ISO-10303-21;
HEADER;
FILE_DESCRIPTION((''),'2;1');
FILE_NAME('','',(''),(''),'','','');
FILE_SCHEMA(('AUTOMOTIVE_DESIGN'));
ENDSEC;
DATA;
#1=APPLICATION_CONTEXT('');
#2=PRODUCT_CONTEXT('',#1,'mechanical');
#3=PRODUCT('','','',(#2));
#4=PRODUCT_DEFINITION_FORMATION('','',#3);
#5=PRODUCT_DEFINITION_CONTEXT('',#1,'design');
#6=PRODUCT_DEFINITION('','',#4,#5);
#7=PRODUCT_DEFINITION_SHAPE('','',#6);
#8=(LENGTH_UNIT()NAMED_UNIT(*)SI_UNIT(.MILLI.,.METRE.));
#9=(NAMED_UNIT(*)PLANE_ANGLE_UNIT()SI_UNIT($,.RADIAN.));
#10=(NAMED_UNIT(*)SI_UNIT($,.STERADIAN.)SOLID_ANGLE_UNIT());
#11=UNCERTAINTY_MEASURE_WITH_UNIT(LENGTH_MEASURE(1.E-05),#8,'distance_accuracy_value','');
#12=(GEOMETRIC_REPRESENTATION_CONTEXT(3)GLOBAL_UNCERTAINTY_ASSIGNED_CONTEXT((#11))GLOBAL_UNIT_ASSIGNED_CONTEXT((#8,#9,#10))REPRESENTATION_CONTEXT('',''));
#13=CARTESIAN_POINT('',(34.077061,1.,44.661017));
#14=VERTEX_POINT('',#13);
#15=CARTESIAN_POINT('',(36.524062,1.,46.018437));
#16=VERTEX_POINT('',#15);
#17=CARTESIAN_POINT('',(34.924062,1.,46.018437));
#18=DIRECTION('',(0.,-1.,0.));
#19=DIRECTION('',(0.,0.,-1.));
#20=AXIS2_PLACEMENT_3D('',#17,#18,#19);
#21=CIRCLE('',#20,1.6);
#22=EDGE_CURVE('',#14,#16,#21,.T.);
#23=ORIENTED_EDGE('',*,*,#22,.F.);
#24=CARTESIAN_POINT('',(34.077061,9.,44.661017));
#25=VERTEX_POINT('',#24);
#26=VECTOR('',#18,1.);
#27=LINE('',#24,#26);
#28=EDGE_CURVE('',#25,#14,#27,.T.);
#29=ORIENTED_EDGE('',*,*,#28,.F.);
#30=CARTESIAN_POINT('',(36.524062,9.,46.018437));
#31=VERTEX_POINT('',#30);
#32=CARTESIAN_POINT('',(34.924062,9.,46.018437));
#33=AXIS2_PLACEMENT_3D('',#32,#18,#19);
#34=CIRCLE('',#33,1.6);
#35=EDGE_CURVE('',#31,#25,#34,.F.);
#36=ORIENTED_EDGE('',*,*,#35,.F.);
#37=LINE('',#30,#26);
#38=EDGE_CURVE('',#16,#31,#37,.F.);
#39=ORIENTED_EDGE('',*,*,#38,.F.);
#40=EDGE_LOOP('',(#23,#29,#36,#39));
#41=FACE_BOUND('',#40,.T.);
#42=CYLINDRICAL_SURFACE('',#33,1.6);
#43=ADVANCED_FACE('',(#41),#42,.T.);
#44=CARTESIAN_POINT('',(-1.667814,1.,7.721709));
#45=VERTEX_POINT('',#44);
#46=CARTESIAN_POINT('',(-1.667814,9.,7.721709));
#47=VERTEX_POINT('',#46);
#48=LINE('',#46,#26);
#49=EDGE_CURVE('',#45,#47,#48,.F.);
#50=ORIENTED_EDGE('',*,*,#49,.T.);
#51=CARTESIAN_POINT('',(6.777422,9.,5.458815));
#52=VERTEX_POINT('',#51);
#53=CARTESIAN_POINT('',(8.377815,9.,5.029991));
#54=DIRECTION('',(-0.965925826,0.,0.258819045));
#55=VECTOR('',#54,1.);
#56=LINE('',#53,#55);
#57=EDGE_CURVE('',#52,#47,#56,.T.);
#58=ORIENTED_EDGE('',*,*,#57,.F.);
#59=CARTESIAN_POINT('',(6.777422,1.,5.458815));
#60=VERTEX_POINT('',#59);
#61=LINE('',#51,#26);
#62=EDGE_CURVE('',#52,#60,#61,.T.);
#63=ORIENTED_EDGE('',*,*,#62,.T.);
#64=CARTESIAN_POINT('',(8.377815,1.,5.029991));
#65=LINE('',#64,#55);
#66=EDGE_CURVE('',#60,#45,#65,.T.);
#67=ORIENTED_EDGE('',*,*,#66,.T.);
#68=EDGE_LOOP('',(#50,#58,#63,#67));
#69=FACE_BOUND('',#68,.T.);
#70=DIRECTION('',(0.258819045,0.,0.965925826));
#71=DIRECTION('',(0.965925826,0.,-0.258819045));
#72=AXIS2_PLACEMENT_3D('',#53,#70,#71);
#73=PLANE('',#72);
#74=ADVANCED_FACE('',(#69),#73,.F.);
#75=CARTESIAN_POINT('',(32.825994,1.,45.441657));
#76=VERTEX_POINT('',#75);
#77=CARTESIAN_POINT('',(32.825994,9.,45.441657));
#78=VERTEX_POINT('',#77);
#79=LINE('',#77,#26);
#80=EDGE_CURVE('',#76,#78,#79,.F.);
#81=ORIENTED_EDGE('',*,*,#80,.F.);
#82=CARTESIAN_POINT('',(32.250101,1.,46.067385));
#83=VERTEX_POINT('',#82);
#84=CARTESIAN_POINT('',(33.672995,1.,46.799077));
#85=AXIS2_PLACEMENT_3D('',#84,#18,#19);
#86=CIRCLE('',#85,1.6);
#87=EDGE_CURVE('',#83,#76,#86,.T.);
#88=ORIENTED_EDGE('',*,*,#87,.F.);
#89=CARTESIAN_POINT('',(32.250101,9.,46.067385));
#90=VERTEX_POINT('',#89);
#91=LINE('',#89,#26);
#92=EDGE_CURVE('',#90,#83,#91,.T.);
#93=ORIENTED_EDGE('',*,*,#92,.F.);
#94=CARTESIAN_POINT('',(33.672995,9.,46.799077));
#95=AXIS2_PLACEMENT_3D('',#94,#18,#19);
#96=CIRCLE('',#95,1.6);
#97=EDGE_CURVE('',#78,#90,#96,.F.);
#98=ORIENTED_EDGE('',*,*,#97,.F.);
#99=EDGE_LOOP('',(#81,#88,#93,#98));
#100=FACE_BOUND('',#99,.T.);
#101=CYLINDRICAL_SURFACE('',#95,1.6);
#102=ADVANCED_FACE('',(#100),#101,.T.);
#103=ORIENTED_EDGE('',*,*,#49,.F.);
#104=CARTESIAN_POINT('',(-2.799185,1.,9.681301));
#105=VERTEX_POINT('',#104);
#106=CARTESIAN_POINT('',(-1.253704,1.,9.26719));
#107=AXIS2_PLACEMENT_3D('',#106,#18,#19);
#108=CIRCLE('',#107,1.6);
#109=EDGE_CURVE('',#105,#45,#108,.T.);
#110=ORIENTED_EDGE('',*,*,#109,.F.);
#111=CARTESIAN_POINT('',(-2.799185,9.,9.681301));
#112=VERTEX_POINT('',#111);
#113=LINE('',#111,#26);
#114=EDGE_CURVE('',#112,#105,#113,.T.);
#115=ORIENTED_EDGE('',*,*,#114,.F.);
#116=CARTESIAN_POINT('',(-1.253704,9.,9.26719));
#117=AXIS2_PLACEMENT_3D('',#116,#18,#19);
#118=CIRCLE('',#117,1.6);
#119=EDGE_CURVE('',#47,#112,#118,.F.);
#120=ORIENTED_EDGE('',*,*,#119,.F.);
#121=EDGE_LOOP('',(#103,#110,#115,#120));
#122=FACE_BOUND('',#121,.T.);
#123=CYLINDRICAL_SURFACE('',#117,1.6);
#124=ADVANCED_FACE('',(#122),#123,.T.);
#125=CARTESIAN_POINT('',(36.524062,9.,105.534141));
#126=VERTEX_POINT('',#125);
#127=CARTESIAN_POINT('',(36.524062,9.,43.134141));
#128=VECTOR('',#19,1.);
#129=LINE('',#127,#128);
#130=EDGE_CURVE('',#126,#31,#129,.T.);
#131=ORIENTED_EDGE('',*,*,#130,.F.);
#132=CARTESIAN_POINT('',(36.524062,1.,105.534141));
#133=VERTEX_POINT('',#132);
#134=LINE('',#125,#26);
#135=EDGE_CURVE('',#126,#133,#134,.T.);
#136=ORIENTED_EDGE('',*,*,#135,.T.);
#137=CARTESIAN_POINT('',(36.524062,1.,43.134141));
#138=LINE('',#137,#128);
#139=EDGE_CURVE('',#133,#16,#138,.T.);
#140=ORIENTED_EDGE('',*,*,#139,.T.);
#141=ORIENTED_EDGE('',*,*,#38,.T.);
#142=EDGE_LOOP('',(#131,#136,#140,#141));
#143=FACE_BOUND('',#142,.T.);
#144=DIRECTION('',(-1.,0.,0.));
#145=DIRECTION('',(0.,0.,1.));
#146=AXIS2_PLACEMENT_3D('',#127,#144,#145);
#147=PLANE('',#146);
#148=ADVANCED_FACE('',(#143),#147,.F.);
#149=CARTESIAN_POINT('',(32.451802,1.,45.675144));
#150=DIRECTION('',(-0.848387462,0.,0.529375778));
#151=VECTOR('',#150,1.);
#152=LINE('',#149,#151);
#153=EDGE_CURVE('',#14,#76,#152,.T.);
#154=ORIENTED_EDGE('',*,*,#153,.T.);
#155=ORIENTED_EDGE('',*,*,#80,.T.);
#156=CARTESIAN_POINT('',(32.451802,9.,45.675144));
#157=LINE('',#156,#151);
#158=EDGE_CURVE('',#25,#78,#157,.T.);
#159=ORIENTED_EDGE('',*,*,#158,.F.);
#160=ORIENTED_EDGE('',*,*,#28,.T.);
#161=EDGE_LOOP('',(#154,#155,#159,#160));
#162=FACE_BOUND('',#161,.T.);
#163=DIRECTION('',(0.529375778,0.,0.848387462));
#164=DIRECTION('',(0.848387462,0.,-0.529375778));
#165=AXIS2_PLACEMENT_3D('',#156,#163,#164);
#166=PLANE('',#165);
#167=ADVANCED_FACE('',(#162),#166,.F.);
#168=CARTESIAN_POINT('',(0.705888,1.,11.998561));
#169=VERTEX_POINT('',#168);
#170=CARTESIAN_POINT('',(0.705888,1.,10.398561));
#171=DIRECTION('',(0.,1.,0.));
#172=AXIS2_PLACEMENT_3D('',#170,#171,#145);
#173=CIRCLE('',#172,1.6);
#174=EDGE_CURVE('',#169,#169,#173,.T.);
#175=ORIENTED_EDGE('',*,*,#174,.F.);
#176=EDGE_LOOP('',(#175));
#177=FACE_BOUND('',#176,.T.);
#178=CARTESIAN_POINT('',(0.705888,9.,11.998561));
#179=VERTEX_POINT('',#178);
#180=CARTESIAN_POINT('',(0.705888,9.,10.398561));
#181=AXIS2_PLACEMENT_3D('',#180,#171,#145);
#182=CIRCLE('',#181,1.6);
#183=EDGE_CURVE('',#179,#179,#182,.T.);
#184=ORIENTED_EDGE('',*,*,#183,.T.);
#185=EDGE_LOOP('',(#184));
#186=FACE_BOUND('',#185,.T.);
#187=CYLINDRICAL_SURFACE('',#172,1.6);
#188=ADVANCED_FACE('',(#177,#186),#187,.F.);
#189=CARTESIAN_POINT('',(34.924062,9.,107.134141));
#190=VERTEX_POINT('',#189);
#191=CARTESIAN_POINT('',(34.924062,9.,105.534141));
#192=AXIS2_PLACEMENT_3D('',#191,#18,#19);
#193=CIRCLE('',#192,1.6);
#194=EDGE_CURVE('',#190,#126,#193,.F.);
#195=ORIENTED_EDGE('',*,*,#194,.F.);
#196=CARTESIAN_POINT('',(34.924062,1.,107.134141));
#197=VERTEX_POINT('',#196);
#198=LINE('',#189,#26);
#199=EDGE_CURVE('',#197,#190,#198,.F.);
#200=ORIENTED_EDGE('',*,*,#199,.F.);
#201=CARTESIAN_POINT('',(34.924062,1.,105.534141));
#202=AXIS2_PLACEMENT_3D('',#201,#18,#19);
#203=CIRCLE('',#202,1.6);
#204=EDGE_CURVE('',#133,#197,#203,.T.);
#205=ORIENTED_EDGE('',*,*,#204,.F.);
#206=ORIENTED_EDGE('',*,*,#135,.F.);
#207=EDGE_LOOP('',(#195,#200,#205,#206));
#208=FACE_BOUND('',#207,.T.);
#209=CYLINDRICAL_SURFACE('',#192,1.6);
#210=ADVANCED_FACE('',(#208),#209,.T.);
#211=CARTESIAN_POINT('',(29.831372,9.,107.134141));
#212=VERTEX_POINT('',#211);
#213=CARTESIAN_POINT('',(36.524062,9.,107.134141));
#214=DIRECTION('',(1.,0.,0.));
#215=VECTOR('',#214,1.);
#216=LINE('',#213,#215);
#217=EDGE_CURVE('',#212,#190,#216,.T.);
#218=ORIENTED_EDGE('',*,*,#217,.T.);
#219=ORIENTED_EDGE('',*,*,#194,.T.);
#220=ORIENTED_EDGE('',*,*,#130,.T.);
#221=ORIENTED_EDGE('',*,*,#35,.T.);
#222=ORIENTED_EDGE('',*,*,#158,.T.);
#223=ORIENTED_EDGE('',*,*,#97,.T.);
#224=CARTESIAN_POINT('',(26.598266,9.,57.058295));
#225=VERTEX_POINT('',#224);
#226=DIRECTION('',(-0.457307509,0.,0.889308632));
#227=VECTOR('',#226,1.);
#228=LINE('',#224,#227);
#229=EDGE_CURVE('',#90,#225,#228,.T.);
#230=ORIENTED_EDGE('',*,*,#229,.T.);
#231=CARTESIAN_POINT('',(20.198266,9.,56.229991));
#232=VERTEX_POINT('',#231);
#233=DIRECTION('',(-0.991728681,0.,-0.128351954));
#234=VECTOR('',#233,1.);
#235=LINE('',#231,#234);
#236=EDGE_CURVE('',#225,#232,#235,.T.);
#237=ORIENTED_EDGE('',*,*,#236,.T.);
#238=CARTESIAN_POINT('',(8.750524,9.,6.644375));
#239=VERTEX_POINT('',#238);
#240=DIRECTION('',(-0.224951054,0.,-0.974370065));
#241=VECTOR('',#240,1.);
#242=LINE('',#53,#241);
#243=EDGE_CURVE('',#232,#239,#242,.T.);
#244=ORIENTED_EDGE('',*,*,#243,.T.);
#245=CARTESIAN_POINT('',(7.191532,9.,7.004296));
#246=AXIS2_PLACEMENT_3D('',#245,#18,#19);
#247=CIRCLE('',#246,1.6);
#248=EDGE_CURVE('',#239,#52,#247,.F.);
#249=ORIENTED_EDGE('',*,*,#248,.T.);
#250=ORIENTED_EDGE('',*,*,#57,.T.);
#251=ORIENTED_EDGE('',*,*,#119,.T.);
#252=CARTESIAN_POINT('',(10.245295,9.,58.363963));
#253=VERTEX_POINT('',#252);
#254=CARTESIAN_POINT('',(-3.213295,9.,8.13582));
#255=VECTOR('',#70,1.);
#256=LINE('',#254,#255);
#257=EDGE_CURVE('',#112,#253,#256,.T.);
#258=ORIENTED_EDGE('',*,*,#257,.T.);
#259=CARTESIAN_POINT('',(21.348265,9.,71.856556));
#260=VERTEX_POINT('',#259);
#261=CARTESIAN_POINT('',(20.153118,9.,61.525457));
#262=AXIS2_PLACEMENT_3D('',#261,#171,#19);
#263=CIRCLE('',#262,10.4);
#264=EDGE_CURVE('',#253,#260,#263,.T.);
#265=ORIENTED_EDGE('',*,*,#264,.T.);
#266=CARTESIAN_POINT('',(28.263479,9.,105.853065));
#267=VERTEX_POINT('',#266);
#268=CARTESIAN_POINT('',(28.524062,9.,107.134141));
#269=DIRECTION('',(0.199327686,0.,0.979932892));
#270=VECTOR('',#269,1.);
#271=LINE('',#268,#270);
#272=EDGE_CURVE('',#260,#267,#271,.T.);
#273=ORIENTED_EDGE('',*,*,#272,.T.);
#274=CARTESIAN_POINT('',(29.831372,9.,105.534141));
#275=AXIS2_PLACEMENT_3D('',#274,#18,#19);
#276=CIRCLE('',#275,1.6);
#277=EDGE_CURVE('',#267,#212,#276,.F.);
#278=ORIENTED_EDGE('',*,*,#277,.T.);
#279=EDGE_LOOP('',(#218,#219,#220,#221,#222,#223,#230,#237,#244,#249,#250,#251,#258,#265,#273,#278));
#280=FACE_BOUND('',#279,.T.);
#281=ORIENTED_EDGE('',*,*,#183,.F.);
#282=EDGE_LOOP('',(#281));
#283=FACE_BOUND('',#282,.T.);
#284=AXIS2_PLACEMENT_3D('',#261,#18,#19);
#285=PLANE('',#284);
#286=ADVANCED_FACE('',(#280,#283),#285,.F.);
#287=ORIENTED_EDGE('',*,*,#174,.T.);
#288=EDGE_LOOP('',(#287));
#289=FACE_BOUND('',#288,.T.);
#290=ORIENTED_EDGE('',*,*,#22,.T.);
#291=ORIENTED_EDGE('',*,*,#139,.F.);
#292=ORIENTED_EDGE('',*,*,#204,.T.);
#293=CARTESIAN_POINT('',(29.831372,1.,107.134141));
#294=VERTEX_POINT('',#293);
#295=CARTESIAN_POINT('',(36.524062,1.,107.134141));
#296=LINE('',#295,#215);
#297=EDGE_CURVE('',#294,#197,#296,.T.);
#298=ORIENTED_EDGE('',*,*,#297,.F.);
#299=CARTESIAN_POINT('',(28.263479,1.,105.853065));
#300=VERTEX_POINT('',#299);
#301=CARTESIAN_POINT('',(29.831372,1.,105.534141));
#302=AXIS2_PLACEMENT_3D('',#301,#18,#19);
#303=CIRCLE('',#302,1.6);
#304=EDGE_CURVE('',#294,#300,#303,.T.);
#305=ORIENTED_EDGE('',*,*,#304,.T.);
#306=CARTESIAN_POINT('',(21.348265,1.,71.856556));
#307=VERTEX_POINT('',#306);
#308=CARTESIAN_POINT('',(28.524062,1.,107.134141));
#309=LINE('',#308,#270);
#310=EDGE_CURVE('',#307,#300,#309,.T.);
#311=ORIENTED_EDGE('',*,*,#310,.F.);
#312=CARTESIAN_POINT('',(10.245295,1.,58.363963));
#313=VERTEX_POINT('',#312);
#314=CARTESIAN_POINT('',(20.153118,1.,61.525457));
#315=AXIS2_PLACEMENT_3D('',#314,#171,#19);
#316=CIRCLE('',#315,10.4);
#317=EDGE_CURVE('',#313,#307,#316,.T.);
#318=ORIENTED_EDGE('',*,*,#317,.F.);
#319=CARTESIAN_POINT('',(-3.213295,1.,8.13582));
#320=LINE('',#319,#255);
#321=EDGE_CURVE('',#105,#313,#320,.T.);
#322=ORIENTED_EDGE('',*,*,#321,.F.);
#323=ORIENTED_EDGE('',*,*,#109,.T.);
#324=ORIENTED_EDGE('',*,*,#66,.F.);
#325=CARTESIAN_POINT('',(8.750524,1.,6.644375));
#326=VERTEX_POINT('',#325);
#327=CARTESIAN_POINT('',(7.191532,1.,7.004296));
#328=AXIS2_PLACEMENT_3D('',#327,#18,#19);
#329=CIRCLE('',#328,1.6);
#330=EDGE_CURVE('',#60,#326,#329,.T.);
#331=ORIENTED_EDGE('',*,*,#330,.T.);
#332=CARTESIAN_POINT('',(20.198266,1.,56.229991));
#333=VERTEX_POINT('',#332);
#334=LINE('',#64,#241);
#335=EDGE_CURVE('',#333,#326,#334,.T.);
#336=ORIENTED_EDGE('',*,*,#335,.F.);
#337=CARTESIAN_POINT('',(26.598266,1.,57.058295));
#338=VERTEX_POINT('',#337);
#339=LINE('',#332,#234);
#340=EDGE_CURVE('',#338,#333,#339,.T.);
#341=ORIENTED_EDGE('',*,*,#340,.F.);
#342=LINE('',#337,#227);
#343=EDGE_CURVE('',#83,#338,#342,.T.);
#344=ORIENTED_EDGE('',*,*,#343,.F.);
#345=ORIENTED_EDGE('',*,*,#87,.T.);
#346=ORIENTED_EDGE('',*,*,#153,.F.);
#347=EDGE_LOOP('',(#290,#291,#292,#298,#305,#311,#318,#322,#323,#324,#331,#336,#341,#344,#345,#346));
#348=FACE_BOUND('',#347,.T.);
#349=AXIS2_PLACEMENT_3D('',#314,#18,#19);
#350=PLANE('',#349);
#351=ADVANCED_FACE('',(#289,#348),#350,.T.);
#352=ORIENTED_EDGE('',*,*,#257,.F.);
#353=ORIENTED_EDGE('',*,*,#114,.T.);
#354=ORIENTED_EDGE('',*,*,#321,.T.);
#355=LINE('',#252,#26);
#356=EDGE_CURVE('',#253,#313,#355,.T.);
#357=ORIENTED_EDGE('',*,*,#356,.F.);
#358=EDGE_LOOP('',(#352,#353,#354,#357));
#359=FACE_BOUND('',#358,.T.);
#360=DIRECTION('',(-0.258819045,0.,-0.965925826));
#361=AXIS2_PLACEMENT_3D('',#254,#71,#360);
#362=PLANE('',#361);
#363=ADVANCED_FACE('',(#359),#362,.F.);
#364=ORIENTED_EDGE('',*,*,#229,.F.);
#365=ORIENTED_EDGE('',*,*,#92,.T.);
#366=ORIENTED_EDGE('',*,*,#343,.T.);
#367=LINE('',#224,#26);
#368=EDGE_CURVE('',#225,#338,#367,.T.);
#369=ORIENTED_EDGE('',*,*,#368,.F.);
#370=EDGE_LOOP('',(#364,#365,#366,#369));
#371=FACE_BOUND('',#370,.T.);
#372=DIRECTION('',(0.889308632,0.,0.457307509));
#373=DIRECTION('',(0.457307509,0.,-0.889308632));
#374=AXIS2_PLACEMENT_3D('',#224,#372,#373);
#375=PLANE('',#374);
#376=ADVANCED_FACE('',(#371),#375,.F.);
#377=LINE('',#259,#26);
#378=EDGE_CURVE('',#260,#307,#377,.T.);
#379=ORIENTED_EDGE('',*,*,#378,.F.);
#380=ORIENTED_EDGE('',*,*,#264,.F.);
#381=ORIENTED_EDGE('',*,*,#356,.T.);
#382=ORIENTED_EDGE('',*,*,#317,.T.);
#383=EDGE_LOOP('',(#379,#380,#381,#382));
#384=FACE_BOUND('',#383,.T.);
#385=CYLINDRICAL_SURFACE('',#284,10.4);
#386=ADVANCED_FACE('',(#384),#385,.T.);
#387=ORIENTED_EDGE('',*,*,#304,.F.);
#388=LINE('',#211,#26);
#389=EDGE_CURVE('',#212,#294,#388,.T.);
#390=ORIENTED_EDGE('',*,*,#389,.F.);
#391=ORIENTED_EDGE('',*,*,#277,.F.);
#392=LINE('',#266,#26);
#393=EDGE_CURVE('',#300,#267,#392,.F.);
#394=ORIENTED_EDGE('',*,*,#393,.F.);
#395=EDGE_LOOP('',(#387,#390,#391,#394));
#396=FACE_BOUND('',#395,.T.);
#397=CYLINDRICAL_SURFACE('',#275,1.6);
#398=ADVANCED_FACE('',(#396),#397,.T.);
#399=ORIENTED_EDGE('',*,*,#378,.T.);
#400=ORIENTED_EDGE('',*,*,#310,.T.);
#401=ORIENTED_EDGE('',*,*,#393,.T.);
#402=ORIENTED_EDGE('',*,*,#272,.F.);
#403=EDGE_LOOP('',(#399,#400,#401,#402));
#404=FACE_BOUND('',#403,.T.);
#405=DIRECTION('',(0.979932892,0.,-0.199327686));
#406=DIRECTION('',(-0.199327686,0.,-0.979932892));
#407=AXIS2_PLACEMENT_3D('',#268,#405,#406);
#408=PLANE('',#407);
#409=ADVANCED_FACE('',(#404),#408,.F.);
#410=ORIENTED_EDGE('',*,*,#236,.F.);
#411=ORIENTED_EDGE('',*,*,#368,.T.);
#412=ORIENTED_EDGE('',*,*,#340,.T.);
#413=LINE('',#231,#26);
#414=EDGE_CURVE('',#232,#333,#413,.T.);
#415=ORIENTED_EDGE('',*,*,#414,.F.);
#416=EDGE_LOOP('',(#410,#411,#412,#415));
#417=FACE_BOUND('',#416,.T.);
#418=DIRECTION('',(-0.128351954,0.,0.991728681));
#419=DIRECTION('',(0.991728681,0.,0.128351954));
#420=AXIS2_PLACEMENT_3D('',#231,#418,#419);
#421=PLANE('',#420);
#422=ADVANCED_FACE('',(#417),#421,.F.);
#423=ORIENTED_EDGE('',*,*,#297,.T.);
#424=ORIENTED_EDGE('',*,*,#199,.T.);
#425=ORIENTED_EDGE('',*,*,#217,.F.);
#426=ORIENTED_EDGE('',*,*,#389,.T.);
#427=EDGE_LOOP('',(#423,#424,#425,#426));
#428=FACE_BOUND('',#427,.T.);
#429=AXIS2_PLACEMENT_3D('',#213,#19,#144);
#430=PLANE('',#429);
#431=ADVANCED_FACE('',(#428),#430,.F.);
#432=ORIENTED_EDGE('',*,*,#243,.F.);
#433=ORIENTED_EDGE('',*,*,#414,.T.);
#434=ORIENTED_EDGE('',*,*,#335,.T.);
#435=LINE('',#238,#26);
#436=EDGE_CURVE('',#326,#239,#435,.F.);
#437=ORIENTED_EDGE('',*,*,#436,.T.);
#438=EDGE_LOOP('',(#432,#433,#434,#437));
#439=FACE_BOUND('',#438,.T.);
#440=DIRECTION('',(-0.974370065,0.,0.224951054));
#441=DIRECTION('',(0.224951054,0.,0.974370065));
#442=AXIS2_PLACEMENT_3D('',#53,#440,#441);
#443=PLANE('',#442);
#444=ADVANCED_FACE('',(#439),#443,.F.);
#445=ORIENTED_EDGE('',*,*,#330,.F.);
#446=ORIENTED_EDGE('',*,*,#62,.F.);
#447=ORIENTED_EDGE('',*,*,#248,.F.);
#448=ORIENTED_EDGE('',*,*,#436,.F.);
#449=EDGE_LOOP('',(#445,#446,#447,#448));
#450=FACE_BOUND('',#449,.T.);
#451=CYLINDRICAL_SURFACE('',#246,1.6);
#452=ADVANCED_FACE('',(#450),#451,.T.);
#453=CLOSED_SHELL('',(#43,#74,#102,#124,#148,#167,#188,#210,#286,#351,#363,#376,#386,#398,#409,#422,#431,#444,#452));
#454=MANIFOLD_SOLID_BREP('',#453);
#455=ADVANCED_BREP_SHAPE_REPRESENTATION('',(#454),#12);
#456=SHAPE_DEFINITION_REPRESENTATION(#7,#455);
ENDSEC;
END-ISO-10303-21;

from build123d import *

# Parameters (mm, degrees)
BOSS_EXTRUDE1_DEPTH = 10
SKETCH2_R           = 2
CUT_EXTRUDE1_DEPTH  = 127.711975624
FILLET1_R           = 2
L_EK1_SCALE         = 2
L_EK2_SCALE         = 0.4


with BuildPart() as part:
    # Sketch1 → Boss-Extrude1 (new body)
    with BuildSketch(Plane(origin=(0, 0, 0), x_dir=(1, 0, 0), z_dir=(0, 1, 0))):
        with BuildLine():
            Line((5.38708673, 8.005739827), (-9.101800665, 4.12345415))
            Line((-9.101800665, 4.12345415), (7.721437267, -58.661724559))
            ThreePointArc((7.721437267, -58.661724559), (10.067992025, -70.873983123), (21.600150017, -75.52746682))
            Line((21.600150017, -75.52746682), (30.569895869, -119.624446982))
            Line((30.569895869, -119.624446982), (40.569895869, -119.624446982))
            Line((40.569895869, -119.624446982), (40.569895869, -39.624446982))
            Line((40.569895869, -39.624446982), (35.479571099, -42.800701652))
            Line((35.479571099, -42.800701652), (28.162650962, -57.029639761))
            Line((28.162650962, -57.029639761), (20.162650962, -55.994260173))
            Line((20.162650962, -55.994260173), (5.38708673, 8.005739827))
        make_face()
    extrude(amount=BOSS_EXTRUDE1_DEPTH)

    # Sketch2 → Cut-Extrude1 (cut, through all)
    with BuildSketch(Plane(origin=(0, 10, 0), x_dir=(1, 0, 0), z_dir=(0, 1, 0))):
        with Locations(Location((-4.202821179, 1.295027025, 0), (0, 0, 270))):
            Circle(SKETCH2_R)
    extrude(amount=-CUT_EXTRUDE1_DEPTH, mode=Mode.SUBTRACT)

    # Fillet1
    fillet1_edges = [part.edges().sort_by_distance(p)[0] for p in [
        (35.479571099, 5, 42.800701652),
        (40.569895869, 5, 39.624446982),
        (40.569895869, 5, 119.624446982),
        (30.569895869, 5, 119.624446982),
        (-9.101800665, 5, -4.12345415),
        (5.38708673, 5, -8.005739827),
    ]]
    fillet(fillet1_edges, radius=FILLET1_R)


with BuildPart() as part_1:
    # Ölçek1: scaled about (20.340725974, 5, 57.172914763)
    add(part.part.scale(L_EK1_SCALE).moved(Location((-20.340725974, -5, -57.172914763))))


with BuildPart() as part_2:
    # Ölçek2: scaled about (20.340725974, 5, 57.172914763)
    add(part_1.part.scale(L_EK2_SCALE).moved(Location((12.204435584, 3, 34.303748858))))


solid = part_2.part
